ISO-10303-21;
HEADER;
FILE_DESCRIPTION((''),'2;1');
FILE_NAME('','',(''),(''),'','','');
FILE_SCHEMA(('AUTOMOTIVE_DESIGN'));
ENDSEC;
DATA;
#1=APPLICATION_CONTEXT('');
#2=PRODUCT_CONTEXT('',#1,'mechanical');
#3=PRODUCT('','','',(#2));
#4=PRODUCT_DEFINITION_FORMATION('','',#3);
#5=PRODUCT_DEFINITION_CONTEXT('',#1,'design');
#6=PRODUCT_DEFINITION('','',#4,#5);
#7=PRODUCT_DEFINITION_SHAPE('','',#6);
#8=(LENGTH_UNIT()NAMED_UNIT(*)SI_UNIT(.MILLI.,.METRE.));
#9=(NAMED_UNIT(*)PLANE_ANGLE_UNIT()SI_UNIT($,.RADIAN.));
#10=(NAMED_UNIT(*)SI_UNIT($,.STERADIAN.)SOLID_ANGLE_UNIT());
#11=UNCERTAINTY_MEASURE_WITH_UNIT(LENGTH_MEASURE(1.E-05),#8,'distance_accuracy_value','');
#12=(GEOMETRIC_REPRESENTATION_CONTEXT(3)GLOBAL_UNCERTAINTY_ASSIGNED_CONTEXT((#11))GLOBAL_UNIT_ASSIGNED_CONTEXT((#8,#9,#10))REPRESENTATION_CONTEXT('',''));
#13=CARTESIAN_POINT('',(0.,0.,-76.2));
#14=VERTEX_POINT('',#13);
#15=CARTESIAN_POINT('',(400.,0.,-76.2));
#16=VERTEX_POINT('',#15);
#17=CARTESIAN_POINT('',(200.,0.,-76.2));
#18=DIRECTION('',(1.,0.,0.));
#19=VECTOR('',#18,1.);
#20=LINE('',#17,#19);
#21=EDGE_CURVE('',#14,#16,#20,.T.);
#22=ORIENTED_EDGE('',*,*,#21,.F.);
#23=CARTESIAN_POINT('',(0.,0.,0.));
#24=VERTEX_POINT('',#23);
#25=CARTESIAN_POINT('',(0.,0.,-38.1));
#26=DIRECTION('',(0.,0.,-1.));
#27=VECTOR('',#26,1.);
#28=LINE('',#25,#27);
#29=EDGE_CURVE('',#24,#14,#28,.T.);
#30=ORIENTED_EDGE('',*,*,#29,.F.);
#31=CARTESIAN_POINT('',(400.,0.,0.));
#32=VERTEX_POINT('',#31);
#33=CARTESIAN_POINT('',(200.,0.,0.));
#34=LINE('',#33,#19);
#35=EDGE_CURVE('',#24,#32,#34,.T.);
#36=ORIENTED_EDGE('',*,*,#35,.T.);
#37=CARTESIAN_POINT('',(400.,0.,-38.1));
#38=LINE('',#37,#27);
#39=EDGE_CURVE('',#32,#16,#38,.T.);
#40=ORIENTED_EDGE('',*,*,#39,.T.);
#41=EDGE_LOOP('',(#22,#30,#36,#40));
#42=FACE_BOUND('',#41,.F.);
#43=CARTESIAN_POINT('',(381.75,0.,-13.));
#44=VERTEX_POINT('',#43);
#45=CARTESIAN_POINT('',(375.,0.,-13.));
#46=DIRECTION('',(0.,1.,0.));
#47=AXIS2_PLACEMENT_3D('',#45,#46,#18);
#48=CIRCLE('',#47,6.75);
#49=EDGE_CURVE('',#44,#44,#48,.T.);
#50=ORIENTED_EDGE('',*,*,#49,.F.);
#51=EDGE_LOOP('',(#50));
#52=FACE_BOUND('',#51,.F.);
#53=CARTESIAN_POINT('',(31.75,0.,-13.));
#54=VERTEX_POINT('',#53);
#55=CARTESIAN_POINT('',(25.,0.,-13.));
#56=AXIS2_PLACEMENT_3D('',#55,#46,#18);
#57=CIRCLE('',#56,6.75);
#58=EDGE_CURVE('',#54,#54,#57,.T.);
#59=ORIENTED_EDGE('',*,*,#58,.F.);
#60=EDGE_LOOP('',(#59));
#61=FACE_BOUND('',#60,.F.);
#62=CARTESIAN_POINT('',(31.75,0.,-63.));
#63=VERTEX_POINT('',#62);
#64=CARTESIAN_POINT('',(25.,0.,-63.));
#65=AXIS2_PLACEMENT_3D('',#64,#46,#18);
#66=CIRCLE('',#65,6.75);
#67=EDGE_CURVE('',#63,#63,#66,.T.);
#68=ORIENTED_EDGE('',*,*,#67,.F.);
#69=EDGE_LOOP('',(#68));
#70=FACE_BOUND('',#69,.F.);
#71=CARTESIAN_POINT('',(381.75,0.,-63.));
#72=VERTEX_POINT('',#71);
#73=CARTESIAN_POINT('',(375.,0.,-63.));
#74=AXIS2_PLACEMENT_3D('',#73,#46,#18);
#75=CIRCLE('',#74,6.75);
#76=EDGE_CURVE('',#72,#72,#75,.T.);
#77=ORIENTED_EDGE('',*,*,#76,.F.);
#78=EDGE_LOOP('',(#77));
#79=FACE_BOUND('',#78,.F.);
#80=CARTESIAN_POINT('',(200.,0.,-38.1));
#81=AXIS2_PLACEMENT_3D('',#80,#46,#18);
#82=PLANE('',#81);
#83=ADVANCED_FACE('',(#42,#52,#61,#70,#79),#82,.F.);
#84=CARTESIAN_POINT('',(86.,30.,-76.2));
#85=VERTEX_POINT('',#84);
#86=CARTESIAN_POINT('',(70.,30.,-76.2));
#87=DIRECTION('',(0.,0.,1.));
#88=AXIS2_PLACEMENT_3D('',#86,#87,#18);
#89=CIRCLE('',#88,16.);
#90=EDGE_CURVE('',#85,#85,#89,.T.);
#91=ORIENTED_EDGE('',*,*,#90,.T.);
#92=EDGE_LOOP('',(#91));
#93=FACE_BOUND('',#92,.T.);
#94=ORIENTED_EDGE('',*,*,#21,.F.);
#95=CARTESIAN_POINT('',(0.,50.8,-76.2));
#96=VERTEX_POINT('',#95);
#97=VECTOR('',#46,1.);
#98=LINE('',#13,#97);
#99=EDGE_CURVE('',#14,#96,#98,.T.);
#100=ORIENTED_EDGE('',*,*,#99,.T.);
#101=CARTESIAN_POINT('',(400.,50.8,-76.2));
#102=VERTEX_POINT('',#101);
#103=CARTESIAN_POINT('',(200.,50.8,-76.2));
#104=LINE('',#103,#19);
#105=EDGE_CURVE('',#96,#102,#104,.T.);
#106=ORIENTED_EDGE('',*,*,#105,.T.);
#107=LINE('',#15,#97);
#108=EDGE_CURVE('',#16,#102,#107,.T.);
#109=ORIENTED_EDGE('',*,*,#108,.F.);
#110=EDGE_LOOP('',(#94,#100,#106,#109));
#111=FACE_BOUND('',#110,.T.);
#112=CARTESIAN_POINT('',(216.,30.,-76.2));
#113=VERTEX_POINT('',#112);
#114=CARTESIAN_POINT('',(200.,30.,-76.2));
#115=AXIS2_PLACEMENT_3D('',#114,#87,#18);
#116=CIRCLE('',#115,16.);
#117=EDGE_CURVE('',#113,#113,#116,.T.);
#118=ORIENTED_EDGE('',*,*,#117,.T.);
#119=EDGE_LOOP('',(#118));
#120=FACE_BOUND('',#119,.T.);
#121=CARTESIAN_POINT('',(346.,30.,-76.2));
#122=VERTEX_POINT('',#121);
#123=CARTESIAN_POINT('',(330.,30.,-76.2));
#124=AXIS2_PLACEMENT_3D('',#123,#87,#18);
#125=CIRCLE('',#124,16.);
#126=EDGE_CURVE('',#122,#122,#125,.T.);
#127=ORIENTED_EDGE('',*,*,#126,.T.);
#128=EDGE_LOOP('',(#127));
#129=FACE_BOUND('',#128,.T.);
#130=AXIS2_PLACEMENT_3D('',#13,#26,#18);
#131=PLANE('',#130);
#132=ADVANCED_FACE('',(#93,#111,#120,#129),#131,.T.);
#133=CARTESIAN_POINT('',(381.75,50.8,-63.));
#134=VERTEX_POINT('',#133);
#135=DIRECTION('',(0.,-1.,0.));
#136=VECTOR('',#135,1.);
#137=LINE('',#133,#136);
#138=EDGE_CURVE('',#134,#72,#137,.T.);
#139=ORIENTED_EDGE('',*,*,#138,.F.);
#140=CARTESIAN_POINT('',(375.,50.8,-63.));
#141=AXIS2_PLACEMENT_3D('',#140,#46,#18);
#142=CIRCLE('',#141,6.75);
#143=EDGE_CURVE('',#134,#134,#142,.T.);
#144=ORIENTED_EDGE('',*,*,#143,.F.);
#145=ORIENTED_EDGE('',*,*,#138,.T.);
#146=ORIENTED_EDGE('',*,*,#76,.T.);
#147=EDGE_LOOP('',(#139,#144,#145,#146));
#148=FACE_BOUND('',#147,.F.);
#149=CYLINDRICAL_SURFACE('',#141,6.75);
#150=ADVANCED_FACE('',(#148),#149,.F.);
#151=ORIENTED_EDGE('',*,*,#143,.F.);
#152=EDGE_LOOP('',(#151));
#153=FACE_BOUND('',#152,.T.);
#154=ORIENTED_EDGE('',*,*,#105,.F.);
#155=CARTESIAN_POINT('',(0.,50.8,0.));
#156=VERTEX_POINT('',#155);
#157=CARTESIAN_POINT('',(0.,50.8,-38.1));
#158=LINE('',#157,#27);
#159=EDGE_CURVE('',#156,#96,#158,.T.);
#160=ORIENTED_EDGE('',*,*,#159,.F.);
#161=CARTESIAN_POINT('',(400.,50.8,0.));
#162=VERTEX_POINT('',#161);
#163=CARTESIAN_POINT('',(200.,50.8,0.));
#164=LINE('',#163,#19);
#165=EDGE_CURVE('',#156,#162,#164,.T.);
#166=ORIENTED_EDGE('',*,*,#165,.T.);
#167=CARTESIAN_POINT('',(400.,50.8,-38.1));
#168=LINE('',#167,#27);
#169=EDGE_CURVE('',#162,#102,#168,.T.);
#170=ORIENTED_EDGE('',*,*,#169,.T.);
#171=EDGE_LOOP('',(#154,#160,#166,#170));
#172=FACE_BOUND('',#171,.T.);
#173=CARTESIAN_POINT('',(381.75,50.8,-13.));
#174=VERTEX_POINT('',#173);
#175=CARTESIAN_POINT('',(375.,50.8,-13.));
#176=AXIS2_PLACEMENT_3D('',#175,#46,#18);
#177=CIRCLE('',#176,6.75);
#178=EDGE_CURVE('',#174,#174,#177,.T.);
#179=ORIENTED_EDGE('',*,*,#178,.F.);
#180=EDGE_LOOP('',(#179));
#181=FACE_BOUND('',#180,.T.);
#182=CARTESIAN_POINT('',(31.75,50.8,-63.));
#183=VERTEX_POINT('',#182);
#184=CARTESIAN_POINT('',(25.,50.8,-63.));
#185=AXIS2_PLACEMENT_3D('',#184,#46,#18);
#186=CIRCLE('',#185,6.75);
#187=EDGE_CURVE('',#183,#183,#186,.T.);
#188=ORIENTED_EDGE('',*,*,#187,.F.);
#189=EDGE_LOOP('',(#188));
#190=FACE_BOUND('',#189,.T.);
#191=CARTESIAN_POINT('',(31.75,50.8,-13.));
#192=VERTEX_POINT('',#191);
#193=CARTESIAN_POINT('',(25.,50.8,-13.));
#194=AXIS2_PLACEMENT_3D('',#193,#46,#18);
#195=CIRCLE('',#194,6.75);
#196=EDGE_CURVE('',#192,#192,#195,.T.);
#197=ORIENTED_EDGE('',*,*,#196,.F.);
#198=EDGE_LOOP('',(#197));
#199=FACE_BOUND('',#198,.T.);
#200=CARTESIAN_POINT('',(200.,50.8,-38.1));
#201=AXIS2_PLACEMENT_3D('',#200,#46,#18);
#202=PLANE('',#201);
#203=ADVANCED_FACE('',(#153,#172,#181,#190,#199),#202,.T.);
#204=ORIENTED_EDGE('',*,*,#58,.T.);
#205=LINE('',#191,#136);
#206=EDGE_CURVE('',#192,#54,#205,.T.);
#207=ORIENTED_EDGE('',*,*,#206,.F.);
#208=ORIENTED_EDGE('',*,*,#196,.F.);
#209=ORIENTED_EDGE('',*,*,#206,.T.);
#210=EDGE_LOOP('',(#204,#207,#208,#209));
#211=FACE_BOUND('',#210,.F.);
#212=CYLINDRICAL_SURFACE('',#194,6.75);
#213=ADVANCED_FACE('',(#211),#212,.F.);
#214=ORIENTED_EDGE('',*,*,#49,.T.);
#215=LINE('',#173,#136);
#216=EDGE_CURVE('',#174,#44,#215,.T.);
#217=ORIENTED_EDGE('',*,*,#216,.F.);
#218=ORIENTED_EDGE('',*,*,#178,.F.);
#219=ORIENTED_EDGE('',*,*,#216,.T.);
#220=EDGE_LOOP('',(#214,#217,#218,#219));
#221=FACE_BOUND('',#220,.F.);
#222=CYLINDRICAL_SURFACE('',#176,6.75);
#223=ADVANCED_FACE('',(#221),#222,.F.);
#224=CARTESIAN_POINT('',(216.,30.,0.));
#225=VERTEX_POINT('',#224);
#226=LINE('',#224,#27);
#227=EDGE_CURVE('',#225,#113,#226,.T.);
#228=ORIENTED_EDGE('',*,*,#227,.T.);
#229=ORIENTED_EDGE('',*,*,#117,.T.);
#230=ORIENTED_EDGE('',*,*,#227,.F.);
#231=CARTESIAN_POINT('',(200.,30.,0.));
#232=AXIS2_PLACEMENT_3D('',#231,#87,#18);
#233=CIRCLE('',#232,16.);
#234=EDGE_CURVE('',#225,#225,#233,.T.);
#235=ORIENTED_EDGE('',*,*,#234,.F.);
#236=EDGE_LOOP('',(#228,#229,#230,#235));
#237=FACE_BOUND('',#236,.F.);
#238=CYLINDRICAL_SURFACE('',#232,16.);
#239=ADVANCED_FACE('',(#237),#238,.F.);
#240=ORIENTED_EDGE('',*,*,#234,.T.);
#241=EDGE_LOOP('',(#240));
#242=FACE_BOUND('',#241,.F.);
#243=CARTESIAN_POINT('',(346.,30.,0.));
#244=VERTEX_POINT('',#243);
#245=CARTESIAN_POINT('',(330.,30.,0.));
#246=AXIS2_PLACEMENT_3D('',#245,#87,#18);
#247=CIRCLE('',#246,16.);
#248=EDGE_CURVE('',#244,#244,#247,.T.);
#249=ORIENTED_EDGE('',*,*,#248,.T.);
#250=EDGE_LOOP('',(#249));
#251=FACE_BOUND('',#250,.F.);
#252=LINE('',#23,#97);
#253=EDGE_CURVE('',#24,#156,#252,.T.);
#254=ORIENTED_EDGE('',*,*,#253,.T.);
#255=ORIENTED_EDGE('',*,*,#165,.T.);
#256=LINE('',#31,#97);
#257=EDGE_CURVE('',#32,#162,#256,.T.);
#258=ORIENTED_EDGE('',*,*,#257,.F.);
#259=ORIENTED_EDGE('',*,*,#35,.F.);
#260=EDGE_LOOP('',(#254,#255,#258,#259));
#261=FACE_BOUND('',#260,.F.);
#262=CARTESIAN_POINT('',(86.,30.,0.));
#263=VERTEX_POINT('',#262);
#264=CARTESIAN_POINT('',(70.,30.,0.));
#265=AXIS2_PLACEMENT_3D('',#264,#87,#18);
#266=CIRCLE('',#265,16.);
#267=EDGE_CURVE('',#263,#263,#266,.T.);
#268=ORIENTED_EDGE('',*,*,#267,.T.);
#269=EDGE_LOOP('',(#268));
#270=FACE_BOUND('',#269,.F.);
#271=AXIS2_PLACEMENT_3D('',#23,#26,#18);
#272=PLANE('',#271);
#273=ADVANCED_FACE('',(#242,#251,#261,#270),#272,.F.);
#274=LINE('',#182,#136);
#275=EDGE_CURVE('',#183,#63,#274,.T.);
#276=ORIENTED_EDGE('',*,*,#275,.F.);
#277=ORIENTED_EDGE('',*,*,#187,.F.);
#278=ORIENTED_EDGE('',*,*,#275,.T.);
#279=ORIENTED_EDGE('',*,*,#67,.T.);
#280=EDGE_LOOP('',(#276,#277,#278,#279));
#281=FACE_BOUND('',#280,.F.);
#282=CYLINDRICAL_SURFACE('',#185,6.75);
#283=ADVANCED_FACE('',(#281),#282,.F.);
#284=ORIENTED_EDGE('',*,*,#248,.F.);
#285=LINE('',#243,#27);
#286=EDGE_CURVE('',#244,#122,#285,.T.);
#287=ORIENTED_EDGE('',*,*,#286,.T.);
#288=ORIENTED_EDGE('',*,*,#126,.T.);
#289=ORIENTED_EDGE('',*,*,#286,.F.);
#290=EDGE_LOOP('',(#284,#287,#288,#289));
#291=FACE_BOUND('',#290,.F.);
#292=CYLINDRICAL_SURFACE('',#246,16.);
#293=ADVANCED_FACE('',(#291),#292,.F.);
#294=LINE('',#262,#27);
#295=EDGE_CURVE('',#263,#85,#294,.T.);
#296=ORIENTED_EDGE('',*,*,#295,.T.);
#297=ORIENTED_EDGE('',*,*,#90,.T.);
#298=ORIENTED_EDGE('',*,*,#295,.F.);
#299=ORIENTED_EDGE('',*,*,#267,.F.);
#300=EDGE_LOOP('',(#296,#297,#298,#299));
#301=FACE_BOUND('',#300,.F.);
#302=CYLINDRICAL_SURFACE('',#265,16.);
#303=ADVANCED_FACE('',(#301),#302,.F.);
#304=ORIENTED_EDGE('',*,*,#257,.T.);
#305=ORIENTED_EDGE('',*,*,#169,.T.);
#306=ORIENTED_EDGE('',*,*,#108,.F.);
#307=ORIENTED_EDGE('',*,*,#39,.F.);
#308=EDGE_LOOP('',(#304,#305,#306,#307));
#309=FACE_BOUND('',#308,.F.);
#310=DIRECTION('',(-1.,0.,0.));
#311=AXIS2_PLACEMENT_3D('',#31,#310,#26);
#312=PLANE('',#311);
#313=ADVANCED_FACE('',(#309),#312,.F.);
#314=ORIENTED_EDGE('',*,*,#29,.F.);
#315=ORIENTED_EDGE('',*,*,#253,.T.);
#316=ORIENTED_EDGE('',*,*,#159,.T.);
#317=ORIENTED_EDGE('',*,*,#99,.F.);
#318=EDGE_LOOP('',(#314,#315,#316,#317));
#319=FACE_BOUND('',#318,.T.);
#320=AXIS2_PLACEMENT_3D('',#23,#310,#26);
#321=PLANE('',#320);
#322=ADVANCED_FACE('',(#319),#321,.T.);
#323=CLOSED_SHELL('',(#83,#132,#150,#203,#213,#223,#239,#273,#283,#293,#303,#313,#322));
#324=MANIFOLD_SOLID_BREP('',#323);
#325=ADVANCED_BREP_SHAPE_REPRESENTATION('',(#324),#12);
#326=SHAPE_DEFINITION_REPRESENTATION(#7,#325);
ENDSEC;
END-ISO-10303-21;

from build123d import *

# Parameters (mm, degrees)
SKETCH1_W           = 400
SKETCH1_H           = 76.2
BOSS_EXTRUDE1_DEPTH = 50.8
SKETCH3_R           = 6.75
CUT_EXTRUDE2_DEPTH  = 50.8
SKETCH5_R           = 16
CUT_EXTRUDE3_DEPTH  = 77.2


with BuildPart() as part:
    # Sketch1 → Boss-Extrude1 (new body)
    with BuildSketch(Plane(origin=(0, 0, 0), x_dir=(1, 0, 0), z_dir=(0, 1, 0))):
        with Locations((200, 38.1)):
            Rectangle(SKETCH1_W, SKETCH1_H)
    extrude(amount=BOSS_EXTRUDE1_DEPTH)

    # Sketch3 → Cut-Extrude2 (cut)
    with BuildSketch(Plane(origin=(0, 50.8, 0), x_dir=(1, 0, 0), z_dir=(0, 1, 0))):
        with Locations((25, 63)):
            Circle(SKETCH3_R)
        with Locations((25, 13)):
            Circle(SKETCH3_R)
        with Locations((375, 63)):
            Circle(SKETCH3_R)
        with Locations((375, 13)):
            Circle(SKETCH3_R)
    extrude(amount=-CUT_EXTRUDE2_DEPTH, mode=Mode.SUBTRACT)

    # Sketch5 → Cut-Extrude3 (cut, through all)
    with BuildSketch(Plane.XY):
        with Locations((200, 30)):
            Circle(SKETCH5_R)
        with Locations((70, 30)):
            Circle(SKETCH5_R)
        with Locations((330, 30)):
            Circle(SKETCH5_R)
    extrude(amount=-CUT_EXTRUDE3_DEPTH, mode=Mode.SUBTRACT)


solid = part.part
